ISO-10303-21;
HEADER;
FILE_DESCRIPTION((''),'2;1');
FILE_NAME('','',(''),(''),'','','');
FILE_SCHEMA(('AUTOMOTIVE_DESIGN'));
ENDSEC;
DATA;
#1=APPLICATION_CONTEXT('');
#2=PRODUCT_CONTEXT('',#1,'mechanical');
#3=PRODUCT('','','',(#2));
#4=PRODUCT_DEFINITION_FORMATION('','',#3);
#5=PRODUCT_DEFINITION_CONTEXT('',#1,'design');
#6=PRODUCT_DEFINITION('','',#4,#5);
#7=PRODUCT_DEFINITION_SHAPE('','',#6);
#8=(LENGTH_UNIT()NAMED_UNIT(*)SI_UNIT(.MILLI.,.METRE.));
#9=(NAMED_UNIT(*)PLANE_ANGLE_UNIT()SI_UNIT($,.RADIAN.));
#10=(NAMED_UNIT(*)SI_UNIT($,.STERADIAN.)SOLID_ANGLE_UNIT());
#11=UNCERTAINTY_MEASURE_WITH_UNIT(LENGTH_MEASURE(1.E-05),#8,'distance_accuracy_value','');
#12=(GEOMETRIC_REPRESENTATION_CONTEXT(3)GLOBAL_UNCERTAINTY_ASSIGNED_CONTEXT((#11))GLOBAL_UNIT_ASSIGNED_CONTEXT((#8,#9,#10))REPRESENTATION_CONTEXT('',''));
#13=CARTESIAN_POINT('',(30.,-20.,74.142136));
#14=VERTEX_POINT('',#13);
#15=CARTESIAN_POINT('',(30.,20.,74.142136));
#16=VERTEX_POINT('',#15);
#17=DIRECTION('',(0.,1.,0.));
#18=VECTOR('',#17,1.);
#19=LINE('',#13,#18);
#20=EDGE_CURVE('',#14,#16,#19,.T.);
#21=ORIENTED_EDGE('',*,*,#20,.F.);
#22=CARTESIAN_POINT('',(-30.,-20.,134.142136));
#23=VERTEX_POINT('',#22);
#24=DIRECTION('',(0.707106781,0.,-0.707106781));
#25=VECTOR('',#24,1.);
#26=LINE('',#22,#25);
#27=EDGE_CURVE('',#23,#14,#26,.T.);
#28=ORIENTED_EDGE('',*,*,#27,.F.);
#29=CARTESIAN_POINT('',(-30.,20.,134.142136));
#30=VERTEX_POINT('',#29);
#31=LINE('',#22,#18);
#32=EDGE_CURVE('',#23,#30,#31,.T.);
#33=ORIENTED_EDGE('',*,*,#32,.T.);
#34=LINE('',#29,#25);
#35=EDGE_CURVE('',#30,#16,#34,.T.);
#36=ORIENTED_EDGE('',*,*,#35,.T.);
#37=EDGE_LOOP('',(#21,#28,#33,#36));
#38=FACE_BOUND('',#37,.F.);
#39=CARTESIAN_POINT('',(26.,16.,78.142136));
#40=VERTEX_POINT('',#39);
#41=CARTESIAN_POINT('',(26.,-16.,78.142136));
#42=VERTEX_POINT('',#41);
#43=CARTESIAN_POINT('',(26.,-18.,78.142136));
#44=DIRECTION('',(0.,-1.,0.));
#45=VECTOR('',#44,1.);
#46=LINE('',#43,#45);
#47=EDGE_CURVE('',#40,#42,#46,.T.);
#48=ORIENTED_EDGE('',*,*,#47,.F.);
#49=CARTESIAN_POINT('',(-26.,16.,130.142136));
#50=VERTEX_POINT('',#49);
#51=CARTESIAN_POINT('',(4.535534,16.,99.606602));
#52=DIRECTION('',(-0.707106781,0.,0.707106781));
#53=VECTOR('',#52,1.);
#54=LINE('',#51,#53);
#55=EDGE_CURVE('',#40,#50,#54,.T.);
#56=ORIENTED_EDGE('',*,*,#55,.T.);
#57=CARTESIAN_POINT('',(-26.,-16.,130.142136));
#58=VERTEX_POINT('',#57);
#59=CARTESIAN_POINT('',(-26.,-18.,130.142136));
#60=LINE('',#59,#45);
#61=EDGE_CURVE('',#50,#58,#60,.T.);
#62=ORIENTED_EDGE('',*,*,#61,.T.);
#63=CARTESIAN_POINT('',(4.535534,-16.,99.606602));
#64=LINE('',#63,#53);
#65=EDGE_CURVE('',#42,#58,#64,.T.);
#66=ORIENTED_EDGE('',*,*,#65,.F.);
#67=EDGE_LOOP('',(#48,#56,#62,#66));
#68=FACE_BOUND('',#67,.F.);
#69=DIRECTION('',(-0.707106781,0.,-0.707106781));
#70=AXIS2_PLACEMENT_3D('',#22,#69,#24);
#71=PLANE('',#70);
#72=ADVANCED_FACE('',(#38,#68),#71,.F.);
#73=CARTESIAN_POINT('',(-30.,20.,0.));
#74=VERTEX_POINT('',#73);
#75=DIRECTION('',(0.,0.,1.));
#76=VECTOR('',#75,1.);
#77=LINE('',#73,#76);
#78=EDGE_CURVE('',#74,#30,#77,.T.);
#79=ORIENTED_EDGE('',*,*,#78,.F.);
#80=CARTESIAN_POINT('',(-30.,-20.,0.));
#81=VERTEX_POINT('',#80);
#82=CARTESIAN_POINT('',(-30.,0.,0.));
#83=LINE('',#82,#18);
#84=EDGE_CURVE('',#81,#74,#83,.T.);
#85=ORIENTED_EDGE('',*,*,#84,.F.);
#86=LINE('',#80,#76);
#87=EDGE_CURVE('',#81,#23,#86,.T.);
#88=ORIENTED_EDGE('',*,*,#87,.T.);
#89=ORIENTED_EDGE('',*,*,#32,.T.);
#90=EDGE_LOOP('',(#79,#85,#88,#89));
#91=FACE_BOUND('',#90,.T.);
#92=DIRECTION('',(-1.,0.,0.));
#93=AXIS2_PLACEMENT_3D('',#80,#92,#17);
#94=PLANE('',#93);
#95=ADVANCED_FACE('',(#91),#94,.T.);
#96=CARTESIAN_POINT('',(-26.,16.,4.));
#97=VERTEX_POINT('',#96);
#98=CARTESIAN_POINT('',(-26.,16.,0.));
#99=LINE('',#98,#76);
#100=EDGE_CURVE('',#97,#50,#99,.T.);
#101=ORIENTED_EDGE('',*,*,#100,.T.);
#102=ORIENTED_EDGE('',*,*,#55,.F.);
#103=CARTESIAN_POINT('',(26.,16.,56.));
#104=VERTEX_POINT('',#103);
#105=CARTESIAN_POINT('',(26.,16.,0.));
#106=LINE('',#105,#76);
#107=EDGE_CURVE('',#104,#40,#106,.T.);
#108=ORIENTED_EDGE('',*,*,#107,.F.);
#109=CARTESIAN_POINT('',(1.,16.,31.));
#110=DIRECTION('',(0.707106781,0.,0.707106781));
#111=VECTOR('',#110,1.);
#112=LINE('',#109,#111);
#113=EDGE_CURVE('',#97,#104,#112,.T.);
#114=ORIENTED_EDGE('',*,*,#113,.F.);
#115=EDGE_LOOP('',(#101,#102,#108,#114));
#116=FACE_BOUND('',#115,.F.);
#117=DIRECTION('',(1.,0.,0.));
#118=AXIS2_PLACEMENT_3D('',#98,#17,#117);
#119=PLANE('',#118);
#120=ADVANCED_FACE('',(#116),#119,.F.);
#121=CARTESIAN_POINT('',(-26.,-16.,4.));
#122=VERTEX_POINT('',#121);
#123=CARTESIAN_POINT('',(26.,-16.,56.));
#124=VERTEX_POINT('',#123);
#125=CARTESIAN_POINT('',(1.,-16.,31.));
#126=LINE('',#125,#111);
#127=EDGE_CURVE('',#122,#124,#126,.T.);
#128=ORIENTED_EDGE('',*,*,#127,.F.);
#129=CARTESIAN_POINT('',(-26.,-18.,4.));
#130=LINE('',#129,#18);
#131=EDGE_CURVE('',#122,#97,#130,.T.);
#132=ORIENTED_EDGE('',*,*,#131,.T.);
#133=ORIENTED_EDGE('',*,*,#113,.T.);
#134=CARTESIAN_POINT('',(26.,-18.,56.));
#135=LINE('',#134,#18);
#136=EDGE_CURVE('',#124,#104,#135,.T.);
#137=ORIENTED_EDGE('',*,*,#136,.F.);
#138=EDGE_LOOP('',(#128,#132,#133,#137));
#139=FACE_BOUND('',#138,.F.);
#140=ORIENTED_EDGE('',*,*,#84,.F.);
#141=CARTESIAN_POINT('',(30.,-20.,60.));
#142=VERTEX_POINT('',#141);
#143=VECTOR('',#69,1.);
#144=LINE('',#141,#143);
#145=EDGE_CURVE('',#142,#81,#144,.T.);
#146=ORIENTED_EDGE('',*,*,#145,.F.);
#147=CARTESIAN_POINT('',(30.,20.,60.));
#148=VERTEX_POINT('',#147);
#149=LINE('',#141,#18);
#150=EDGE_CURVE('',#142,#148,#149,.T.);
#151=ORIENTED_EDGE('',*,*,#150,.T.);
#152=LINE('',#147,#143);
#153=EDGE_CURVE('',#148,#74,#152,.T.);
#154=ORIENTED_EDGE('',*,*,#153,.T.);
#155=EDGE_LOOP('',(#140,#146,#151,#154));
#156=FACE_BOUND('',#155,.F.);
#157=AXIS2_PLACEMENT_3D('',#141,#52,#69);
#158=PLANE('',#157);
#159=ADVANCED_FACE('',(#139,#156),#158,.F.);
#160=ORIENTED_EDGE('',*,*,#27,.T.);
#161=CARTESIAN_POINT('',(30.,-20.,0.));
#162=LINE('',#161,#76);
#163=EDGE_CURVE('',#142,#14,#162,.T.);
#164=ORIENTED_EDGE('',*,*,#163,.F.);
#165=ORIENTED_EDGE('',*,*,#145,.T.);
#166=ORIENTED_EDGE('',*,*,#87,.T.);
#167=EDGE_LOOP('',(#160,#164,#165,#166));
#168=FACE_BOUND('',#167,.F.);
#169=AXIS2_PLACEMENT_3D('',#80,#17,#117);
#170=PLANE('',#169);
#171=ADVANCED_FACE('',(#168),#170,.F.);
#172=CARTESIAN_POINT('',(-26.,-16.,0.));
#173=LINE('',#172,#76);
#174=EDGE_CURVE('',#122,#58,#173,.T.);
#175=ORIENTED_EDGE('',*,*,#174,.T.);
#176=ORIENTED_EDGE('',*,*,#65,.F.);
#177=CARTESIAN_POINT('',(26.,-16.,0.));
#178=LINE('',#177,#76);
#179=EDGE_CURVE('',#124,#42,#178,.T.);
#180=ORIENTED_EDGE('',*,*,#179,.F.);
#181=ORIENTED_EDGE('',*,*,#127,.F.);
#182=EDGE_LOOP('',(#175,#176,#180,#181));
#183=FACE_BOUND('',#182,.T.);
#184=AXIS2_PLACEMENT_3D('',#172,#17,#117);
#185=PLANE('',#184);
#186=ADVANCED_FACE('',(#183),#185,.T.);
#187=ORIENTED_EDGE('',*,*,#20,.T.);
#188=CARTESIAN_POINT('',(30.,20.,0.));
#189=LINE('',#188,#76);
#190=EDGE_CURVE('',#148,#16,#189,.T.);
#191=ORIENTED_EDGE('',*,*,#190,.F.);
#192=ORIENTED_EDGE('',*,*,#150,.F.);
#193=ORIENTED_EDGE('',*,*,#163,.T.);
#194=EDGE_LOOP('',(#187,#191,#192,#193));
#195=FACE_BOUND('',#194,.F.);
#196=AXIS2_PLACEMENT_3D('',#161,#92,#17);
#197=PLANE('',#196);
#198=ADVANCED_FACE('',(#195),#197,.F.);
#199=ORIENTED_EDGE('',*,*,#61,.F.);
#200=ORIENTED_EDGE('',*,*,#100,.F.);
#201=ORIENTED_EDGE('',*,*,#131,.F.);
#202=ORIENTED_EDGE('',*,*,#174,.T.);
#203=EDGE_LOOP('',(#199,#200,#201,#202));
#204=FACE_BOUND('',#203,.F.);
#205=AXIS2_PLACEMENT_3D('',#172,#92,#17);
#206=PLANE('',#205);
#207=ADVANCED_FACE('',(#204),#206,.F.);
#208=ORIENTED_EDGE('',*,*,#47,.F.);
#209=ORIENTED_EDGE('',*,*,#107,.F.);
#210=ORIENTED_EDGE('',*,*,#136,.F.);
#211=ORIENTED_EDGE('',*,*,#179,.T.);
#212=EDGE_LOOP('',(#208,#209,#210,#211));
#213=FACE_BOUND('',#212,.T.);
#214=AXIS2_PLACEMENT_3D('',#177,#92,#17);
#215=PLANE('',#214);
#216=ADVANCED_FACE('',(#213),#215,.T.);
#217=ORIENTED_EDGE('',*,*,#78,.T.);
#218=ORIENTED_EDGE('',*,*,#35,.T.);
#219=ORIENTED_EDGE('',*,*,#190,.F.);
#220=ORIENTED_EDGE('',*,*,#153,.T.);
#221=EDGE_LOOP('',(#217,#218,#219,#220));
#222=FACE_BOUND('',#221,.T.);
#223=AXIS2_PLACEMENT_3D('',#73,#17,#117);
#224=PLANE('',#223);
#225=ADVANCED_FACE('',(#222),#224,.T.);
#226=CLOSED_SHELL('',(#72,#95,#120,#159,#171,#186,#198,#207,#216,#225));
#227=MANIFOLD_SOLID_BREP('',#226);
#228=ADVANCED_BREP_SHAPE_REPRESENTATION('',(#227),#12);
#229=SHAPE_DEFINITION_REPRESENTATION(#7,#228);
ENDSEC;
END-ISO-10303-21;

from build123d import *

# Parameters (mm, degrees)
F0_W     = 60
F0_H     = 40
F0_W_2   = 52
F0_H_2   = 32
F1_DEPTH = 170
F3_DEPTH = 40


with BuildPart() as f1:
    # F0 (on Top) → F1 (new body)
    with BuildSketch(Plane.XY):
        Rectangle(F0_W, F0_H)
        Rectangle(F0_W_2, F0_H_2, mode=Mode.SUBTRACT)
    extrude(amount=F1_DEPTH)

    # F2 (on face) → F3 (cut)
    with BuildSketch(Plane.XZ.offset(20)):
        Polygon((-30, 134.142136), (30, 74.142136), (30, 170), (-30, 170), align=None)
        Polygon((30, 60), (-30, 0), (30, 0), align=None)
    extrude(amount=-F3_DEPTH, mode=Mode.SUBTRACT)


solid = f1.part
